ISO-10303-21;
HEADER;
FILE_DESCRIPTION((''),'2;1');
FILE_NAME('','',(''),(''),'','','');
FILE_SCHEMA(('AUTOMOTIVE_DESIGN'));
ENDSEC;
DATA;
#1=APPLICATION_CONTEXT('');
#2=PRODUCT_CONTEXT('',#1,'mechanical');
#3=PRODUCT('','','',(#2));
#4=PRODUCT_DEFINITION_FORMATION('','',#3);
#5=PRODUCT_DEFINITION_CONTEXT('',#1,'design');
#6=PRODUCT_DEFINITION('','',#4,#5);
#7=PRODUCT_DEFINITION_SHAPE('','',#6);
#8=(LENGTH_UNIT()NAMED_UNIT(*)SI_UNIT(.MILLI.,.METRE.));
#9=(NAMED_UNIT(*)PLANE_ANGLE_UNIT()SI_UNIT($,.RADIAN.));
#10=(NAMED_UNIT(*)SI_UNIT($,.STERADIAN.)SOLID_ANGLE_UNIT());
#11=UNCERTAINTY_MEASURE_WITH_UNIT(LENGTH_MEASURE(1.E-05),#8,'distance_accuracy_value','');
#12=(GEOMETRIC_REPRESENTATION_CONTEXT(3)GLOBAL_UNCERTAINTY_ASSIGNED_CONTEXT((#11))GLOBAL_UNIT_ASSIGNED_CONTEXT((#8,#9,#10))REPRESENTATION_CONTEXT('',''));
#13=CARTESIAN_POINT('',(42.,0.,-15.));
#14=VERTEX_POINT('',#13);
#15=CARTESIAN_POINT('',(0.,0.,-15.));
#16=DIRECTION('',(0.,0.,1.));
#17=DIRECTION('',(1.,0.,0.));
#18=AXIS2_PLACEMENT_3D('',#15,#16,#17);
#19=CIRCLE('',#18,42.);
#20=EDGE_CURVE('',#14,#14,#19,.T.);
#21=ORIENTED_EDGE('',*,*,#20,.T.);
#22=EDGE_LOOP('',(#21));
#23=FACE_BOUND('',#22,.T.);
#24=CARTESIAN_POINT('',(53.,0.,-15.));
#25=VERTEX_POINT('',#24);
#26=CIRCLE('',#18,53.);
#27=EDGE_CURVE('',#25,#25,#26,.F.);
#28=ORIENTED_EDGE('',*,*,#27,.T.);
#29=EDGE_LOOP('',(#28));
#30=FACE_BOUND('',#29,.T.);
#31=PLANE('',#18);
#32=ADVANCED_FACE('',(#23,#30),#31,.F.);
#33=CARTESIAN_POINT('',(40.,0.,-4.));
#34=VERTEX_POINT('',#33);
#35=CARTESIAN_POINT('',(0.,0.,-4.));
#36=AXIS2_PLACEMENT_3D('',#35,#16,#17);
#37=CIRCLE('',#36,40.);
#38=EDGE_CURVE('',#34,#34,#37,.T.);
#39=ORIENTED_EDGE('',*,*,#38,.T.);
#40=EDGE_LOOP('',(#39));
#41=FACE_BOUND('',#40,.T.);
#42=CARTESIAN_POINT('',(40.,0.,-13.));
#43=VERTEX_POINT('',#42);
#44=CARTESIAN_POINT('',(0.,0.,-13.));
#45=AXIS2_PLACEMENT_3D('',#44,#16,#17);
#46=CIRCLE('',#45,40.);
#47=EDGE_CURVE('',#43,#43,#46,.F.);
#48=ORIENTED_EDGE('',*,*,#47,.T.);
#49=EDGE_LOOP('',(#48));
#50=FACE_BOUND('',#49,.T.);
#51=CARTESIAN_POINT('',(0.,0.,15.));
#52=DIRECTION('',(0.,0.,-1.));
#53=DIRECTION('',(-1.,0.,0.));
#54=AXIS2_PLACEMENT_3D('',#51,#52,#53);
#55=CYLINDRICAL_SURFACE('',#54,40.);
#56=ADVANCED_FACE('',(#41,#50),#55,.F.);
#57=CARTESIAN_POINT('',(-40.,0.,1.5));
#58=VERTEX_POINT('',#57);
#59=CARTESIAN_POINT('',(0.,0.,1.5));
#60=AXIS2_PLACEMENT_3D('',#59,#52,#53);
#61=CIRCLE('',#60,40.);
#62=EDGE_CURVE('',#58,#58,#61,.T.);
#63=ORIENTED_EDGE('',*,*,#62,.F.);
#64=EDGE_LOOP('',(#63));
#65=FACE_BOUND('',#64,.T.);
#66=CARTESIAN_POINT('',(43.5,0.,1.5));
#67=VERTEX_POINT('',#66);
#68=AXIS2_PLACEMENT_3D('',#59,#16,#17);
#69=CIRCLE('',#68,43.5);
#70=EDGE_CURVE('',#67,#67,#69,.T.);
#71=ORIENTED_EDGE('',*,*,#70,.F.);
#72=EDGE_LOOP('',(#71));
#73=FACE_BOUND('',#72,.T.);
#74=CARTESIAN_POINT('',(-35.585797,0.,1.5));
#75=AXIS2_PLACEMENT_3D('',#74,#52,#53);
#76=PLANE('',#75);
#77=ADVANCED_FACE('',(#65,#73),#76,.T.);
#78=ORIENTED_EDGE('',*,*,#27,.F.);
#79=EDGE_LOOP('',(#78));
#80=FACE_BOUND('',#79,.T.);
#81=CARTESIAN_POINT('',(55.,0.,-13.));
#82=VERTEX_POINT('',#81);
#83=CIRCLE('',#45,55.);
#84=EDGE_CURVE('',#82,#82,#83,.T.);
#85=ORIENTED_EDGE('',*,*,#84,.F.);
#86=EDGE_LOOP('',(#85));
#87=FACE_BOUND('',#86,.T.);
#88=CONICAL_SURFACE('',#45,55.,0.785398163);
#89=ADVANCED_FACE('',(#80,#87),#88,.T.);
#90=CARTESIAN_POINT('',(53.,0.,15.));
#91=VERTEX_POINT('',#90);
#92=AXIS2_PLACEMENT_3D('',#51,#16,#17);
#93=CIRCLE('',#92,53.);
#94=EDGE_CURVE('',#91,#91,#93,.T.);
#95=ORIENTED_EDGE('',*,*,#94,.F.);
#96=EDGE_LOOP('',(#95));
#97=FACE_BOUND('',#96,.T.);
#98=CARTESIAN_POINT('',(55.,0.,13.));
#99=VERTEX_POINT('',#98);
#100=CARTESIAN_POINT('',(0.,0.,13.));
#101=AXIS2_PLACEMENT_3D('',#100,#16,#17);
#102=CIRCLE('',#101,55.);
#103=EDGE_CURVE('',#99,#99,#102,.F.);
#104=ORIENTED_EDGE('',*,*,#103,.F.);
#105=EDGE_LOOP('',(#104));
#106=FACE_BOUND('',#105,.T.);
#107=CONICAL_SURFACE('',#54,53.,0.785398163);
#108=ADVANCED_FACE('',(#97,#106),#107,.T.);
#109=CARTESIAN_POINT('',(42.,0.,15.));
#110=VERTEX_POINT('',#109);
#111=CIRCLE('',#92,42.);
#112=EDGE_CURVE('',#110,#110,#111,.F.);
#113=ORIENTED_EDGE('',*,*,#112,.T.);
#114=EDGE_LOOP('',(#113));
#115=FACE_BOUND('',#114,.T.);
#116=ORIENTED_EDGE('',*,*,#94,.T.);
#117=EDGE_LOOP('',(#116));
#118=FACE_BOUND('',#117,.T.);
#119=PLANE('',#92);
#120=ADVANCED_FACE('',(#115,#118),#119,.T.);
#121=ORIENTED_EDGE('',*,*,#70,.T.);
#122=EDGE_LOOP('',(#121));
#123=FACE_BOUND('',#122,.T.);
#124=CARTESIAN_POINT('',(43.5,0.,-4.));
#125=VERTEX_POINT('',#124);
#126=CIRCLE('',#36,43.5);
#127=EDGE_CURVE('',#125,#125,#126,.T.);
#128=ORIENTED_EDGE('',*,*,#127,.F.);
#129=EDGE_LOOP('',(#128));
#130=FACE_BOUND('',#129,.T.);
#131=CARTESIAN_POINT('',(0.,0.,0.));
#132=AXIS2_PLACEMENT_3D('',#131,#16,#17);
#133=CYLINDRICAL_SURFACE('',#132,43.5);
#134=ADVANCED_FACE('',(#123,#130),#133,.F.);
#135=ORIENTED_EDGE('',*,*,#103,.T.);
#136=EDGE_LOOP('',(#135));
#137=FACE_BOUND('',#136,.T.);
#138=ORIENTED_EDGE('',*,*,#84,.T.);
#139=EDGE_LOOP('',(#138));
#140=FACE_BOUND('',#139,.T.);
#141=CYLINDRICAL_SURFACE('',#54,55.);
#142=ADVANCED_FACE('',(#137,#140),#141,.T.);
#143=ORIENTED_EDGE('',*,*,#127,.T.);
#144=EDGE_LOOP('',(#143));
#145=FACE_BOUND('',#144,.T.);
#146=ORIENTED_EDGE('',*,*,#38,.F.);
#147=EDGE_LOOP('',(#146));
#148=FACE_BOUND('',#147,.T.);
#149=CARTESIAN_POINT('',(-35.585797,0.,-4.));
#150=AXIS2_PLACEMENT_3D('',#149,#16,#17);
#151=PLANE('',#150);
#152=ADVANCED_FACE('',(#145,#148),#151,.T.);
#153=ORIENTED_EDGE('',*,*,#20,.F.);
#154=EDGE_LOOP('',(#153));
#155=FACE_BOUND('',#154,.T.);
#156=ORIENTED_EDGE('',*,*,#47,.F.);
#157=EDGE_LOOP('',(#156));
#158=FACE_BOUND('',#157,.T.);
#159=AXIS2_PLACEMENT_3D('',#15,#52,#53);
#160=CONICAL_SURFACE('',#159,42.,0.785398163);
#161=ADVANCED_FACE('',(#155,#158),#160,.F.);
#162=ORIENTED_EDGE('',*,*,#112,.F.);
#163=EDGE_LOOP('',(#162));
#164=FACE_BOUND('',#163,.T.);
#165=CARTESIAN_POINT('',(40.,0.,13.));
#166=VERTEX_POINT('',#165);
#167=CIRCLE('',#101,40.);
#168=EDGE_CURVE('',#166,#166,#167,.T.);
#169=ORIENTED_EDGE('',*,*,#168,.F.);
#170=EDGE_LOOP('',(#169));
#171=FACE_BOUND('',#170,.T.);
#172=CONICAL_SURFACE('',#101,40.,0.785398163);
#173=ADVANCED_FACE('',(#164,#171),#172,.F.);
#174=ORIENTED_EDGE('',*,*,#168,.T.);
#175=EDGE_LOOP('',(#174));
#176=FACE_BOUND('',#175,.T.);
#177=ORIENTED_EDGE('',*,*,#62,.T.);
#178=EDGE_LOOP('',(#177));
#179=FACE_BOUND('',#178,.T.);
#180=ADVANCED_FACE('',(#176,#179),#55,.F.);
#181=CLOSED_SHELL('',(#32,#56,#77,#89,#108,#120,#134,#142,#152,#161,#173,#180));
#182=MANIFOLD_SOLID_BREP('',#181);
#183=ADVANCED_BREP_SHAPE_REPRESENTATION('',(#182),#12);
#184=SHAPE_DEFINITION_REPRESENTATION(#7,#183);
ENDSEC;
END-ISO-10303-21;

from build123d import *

# Parameters (mm, degrees)
SKETCH1_R           = 55
SKETCH1_R_2         = 40
BOSS_EXTRUDE1_DEPTH = 15
CHAMFER1_SIZE       = 2
SKETCH2_W           = 7.914202957
SKETCH2_H           = 5.5


with BuildPart() as part:
    # Sketch1 → Boss-Extrude1 (new body, symmetric)
    with BuildSketch(Plane.XY):
        Circle(SKETCH1_R)
        Circle(SKETCH1_R_2, mode=Mode.SUBTRACT)
    extrude(amount=BOSS_EXTRUDE1_DEPTH, both=True)

    # Chamfer1
    chamfer1_edges = [part.edges().sort_by_distance(p)[0] for p in [
        (-55, 0, -15),
        (-55, 0, 15),
        (-40, 0, -15),
        (-40, 0, 15),
    ]]
    chamfer(chamfer1_edges, length=CHAMFER1_SIZE)

    # Sketch2 → Cut-Revolve1 (revolve, cut)
    with BuildSketch(Plane(origin=(0, 0, 0), x_dir=(1, 0, 0), z_dir=(0, 1, 0))):
        with Locations((-39.542898521, 1.25)):
            Rectangle(SKETCH2_W, SKETCH2_H)
    revolve(axis=Axis((0, 0, 0), (0, 0, -1)), mode=Mode.SUBTRACT)


solid = part.part
